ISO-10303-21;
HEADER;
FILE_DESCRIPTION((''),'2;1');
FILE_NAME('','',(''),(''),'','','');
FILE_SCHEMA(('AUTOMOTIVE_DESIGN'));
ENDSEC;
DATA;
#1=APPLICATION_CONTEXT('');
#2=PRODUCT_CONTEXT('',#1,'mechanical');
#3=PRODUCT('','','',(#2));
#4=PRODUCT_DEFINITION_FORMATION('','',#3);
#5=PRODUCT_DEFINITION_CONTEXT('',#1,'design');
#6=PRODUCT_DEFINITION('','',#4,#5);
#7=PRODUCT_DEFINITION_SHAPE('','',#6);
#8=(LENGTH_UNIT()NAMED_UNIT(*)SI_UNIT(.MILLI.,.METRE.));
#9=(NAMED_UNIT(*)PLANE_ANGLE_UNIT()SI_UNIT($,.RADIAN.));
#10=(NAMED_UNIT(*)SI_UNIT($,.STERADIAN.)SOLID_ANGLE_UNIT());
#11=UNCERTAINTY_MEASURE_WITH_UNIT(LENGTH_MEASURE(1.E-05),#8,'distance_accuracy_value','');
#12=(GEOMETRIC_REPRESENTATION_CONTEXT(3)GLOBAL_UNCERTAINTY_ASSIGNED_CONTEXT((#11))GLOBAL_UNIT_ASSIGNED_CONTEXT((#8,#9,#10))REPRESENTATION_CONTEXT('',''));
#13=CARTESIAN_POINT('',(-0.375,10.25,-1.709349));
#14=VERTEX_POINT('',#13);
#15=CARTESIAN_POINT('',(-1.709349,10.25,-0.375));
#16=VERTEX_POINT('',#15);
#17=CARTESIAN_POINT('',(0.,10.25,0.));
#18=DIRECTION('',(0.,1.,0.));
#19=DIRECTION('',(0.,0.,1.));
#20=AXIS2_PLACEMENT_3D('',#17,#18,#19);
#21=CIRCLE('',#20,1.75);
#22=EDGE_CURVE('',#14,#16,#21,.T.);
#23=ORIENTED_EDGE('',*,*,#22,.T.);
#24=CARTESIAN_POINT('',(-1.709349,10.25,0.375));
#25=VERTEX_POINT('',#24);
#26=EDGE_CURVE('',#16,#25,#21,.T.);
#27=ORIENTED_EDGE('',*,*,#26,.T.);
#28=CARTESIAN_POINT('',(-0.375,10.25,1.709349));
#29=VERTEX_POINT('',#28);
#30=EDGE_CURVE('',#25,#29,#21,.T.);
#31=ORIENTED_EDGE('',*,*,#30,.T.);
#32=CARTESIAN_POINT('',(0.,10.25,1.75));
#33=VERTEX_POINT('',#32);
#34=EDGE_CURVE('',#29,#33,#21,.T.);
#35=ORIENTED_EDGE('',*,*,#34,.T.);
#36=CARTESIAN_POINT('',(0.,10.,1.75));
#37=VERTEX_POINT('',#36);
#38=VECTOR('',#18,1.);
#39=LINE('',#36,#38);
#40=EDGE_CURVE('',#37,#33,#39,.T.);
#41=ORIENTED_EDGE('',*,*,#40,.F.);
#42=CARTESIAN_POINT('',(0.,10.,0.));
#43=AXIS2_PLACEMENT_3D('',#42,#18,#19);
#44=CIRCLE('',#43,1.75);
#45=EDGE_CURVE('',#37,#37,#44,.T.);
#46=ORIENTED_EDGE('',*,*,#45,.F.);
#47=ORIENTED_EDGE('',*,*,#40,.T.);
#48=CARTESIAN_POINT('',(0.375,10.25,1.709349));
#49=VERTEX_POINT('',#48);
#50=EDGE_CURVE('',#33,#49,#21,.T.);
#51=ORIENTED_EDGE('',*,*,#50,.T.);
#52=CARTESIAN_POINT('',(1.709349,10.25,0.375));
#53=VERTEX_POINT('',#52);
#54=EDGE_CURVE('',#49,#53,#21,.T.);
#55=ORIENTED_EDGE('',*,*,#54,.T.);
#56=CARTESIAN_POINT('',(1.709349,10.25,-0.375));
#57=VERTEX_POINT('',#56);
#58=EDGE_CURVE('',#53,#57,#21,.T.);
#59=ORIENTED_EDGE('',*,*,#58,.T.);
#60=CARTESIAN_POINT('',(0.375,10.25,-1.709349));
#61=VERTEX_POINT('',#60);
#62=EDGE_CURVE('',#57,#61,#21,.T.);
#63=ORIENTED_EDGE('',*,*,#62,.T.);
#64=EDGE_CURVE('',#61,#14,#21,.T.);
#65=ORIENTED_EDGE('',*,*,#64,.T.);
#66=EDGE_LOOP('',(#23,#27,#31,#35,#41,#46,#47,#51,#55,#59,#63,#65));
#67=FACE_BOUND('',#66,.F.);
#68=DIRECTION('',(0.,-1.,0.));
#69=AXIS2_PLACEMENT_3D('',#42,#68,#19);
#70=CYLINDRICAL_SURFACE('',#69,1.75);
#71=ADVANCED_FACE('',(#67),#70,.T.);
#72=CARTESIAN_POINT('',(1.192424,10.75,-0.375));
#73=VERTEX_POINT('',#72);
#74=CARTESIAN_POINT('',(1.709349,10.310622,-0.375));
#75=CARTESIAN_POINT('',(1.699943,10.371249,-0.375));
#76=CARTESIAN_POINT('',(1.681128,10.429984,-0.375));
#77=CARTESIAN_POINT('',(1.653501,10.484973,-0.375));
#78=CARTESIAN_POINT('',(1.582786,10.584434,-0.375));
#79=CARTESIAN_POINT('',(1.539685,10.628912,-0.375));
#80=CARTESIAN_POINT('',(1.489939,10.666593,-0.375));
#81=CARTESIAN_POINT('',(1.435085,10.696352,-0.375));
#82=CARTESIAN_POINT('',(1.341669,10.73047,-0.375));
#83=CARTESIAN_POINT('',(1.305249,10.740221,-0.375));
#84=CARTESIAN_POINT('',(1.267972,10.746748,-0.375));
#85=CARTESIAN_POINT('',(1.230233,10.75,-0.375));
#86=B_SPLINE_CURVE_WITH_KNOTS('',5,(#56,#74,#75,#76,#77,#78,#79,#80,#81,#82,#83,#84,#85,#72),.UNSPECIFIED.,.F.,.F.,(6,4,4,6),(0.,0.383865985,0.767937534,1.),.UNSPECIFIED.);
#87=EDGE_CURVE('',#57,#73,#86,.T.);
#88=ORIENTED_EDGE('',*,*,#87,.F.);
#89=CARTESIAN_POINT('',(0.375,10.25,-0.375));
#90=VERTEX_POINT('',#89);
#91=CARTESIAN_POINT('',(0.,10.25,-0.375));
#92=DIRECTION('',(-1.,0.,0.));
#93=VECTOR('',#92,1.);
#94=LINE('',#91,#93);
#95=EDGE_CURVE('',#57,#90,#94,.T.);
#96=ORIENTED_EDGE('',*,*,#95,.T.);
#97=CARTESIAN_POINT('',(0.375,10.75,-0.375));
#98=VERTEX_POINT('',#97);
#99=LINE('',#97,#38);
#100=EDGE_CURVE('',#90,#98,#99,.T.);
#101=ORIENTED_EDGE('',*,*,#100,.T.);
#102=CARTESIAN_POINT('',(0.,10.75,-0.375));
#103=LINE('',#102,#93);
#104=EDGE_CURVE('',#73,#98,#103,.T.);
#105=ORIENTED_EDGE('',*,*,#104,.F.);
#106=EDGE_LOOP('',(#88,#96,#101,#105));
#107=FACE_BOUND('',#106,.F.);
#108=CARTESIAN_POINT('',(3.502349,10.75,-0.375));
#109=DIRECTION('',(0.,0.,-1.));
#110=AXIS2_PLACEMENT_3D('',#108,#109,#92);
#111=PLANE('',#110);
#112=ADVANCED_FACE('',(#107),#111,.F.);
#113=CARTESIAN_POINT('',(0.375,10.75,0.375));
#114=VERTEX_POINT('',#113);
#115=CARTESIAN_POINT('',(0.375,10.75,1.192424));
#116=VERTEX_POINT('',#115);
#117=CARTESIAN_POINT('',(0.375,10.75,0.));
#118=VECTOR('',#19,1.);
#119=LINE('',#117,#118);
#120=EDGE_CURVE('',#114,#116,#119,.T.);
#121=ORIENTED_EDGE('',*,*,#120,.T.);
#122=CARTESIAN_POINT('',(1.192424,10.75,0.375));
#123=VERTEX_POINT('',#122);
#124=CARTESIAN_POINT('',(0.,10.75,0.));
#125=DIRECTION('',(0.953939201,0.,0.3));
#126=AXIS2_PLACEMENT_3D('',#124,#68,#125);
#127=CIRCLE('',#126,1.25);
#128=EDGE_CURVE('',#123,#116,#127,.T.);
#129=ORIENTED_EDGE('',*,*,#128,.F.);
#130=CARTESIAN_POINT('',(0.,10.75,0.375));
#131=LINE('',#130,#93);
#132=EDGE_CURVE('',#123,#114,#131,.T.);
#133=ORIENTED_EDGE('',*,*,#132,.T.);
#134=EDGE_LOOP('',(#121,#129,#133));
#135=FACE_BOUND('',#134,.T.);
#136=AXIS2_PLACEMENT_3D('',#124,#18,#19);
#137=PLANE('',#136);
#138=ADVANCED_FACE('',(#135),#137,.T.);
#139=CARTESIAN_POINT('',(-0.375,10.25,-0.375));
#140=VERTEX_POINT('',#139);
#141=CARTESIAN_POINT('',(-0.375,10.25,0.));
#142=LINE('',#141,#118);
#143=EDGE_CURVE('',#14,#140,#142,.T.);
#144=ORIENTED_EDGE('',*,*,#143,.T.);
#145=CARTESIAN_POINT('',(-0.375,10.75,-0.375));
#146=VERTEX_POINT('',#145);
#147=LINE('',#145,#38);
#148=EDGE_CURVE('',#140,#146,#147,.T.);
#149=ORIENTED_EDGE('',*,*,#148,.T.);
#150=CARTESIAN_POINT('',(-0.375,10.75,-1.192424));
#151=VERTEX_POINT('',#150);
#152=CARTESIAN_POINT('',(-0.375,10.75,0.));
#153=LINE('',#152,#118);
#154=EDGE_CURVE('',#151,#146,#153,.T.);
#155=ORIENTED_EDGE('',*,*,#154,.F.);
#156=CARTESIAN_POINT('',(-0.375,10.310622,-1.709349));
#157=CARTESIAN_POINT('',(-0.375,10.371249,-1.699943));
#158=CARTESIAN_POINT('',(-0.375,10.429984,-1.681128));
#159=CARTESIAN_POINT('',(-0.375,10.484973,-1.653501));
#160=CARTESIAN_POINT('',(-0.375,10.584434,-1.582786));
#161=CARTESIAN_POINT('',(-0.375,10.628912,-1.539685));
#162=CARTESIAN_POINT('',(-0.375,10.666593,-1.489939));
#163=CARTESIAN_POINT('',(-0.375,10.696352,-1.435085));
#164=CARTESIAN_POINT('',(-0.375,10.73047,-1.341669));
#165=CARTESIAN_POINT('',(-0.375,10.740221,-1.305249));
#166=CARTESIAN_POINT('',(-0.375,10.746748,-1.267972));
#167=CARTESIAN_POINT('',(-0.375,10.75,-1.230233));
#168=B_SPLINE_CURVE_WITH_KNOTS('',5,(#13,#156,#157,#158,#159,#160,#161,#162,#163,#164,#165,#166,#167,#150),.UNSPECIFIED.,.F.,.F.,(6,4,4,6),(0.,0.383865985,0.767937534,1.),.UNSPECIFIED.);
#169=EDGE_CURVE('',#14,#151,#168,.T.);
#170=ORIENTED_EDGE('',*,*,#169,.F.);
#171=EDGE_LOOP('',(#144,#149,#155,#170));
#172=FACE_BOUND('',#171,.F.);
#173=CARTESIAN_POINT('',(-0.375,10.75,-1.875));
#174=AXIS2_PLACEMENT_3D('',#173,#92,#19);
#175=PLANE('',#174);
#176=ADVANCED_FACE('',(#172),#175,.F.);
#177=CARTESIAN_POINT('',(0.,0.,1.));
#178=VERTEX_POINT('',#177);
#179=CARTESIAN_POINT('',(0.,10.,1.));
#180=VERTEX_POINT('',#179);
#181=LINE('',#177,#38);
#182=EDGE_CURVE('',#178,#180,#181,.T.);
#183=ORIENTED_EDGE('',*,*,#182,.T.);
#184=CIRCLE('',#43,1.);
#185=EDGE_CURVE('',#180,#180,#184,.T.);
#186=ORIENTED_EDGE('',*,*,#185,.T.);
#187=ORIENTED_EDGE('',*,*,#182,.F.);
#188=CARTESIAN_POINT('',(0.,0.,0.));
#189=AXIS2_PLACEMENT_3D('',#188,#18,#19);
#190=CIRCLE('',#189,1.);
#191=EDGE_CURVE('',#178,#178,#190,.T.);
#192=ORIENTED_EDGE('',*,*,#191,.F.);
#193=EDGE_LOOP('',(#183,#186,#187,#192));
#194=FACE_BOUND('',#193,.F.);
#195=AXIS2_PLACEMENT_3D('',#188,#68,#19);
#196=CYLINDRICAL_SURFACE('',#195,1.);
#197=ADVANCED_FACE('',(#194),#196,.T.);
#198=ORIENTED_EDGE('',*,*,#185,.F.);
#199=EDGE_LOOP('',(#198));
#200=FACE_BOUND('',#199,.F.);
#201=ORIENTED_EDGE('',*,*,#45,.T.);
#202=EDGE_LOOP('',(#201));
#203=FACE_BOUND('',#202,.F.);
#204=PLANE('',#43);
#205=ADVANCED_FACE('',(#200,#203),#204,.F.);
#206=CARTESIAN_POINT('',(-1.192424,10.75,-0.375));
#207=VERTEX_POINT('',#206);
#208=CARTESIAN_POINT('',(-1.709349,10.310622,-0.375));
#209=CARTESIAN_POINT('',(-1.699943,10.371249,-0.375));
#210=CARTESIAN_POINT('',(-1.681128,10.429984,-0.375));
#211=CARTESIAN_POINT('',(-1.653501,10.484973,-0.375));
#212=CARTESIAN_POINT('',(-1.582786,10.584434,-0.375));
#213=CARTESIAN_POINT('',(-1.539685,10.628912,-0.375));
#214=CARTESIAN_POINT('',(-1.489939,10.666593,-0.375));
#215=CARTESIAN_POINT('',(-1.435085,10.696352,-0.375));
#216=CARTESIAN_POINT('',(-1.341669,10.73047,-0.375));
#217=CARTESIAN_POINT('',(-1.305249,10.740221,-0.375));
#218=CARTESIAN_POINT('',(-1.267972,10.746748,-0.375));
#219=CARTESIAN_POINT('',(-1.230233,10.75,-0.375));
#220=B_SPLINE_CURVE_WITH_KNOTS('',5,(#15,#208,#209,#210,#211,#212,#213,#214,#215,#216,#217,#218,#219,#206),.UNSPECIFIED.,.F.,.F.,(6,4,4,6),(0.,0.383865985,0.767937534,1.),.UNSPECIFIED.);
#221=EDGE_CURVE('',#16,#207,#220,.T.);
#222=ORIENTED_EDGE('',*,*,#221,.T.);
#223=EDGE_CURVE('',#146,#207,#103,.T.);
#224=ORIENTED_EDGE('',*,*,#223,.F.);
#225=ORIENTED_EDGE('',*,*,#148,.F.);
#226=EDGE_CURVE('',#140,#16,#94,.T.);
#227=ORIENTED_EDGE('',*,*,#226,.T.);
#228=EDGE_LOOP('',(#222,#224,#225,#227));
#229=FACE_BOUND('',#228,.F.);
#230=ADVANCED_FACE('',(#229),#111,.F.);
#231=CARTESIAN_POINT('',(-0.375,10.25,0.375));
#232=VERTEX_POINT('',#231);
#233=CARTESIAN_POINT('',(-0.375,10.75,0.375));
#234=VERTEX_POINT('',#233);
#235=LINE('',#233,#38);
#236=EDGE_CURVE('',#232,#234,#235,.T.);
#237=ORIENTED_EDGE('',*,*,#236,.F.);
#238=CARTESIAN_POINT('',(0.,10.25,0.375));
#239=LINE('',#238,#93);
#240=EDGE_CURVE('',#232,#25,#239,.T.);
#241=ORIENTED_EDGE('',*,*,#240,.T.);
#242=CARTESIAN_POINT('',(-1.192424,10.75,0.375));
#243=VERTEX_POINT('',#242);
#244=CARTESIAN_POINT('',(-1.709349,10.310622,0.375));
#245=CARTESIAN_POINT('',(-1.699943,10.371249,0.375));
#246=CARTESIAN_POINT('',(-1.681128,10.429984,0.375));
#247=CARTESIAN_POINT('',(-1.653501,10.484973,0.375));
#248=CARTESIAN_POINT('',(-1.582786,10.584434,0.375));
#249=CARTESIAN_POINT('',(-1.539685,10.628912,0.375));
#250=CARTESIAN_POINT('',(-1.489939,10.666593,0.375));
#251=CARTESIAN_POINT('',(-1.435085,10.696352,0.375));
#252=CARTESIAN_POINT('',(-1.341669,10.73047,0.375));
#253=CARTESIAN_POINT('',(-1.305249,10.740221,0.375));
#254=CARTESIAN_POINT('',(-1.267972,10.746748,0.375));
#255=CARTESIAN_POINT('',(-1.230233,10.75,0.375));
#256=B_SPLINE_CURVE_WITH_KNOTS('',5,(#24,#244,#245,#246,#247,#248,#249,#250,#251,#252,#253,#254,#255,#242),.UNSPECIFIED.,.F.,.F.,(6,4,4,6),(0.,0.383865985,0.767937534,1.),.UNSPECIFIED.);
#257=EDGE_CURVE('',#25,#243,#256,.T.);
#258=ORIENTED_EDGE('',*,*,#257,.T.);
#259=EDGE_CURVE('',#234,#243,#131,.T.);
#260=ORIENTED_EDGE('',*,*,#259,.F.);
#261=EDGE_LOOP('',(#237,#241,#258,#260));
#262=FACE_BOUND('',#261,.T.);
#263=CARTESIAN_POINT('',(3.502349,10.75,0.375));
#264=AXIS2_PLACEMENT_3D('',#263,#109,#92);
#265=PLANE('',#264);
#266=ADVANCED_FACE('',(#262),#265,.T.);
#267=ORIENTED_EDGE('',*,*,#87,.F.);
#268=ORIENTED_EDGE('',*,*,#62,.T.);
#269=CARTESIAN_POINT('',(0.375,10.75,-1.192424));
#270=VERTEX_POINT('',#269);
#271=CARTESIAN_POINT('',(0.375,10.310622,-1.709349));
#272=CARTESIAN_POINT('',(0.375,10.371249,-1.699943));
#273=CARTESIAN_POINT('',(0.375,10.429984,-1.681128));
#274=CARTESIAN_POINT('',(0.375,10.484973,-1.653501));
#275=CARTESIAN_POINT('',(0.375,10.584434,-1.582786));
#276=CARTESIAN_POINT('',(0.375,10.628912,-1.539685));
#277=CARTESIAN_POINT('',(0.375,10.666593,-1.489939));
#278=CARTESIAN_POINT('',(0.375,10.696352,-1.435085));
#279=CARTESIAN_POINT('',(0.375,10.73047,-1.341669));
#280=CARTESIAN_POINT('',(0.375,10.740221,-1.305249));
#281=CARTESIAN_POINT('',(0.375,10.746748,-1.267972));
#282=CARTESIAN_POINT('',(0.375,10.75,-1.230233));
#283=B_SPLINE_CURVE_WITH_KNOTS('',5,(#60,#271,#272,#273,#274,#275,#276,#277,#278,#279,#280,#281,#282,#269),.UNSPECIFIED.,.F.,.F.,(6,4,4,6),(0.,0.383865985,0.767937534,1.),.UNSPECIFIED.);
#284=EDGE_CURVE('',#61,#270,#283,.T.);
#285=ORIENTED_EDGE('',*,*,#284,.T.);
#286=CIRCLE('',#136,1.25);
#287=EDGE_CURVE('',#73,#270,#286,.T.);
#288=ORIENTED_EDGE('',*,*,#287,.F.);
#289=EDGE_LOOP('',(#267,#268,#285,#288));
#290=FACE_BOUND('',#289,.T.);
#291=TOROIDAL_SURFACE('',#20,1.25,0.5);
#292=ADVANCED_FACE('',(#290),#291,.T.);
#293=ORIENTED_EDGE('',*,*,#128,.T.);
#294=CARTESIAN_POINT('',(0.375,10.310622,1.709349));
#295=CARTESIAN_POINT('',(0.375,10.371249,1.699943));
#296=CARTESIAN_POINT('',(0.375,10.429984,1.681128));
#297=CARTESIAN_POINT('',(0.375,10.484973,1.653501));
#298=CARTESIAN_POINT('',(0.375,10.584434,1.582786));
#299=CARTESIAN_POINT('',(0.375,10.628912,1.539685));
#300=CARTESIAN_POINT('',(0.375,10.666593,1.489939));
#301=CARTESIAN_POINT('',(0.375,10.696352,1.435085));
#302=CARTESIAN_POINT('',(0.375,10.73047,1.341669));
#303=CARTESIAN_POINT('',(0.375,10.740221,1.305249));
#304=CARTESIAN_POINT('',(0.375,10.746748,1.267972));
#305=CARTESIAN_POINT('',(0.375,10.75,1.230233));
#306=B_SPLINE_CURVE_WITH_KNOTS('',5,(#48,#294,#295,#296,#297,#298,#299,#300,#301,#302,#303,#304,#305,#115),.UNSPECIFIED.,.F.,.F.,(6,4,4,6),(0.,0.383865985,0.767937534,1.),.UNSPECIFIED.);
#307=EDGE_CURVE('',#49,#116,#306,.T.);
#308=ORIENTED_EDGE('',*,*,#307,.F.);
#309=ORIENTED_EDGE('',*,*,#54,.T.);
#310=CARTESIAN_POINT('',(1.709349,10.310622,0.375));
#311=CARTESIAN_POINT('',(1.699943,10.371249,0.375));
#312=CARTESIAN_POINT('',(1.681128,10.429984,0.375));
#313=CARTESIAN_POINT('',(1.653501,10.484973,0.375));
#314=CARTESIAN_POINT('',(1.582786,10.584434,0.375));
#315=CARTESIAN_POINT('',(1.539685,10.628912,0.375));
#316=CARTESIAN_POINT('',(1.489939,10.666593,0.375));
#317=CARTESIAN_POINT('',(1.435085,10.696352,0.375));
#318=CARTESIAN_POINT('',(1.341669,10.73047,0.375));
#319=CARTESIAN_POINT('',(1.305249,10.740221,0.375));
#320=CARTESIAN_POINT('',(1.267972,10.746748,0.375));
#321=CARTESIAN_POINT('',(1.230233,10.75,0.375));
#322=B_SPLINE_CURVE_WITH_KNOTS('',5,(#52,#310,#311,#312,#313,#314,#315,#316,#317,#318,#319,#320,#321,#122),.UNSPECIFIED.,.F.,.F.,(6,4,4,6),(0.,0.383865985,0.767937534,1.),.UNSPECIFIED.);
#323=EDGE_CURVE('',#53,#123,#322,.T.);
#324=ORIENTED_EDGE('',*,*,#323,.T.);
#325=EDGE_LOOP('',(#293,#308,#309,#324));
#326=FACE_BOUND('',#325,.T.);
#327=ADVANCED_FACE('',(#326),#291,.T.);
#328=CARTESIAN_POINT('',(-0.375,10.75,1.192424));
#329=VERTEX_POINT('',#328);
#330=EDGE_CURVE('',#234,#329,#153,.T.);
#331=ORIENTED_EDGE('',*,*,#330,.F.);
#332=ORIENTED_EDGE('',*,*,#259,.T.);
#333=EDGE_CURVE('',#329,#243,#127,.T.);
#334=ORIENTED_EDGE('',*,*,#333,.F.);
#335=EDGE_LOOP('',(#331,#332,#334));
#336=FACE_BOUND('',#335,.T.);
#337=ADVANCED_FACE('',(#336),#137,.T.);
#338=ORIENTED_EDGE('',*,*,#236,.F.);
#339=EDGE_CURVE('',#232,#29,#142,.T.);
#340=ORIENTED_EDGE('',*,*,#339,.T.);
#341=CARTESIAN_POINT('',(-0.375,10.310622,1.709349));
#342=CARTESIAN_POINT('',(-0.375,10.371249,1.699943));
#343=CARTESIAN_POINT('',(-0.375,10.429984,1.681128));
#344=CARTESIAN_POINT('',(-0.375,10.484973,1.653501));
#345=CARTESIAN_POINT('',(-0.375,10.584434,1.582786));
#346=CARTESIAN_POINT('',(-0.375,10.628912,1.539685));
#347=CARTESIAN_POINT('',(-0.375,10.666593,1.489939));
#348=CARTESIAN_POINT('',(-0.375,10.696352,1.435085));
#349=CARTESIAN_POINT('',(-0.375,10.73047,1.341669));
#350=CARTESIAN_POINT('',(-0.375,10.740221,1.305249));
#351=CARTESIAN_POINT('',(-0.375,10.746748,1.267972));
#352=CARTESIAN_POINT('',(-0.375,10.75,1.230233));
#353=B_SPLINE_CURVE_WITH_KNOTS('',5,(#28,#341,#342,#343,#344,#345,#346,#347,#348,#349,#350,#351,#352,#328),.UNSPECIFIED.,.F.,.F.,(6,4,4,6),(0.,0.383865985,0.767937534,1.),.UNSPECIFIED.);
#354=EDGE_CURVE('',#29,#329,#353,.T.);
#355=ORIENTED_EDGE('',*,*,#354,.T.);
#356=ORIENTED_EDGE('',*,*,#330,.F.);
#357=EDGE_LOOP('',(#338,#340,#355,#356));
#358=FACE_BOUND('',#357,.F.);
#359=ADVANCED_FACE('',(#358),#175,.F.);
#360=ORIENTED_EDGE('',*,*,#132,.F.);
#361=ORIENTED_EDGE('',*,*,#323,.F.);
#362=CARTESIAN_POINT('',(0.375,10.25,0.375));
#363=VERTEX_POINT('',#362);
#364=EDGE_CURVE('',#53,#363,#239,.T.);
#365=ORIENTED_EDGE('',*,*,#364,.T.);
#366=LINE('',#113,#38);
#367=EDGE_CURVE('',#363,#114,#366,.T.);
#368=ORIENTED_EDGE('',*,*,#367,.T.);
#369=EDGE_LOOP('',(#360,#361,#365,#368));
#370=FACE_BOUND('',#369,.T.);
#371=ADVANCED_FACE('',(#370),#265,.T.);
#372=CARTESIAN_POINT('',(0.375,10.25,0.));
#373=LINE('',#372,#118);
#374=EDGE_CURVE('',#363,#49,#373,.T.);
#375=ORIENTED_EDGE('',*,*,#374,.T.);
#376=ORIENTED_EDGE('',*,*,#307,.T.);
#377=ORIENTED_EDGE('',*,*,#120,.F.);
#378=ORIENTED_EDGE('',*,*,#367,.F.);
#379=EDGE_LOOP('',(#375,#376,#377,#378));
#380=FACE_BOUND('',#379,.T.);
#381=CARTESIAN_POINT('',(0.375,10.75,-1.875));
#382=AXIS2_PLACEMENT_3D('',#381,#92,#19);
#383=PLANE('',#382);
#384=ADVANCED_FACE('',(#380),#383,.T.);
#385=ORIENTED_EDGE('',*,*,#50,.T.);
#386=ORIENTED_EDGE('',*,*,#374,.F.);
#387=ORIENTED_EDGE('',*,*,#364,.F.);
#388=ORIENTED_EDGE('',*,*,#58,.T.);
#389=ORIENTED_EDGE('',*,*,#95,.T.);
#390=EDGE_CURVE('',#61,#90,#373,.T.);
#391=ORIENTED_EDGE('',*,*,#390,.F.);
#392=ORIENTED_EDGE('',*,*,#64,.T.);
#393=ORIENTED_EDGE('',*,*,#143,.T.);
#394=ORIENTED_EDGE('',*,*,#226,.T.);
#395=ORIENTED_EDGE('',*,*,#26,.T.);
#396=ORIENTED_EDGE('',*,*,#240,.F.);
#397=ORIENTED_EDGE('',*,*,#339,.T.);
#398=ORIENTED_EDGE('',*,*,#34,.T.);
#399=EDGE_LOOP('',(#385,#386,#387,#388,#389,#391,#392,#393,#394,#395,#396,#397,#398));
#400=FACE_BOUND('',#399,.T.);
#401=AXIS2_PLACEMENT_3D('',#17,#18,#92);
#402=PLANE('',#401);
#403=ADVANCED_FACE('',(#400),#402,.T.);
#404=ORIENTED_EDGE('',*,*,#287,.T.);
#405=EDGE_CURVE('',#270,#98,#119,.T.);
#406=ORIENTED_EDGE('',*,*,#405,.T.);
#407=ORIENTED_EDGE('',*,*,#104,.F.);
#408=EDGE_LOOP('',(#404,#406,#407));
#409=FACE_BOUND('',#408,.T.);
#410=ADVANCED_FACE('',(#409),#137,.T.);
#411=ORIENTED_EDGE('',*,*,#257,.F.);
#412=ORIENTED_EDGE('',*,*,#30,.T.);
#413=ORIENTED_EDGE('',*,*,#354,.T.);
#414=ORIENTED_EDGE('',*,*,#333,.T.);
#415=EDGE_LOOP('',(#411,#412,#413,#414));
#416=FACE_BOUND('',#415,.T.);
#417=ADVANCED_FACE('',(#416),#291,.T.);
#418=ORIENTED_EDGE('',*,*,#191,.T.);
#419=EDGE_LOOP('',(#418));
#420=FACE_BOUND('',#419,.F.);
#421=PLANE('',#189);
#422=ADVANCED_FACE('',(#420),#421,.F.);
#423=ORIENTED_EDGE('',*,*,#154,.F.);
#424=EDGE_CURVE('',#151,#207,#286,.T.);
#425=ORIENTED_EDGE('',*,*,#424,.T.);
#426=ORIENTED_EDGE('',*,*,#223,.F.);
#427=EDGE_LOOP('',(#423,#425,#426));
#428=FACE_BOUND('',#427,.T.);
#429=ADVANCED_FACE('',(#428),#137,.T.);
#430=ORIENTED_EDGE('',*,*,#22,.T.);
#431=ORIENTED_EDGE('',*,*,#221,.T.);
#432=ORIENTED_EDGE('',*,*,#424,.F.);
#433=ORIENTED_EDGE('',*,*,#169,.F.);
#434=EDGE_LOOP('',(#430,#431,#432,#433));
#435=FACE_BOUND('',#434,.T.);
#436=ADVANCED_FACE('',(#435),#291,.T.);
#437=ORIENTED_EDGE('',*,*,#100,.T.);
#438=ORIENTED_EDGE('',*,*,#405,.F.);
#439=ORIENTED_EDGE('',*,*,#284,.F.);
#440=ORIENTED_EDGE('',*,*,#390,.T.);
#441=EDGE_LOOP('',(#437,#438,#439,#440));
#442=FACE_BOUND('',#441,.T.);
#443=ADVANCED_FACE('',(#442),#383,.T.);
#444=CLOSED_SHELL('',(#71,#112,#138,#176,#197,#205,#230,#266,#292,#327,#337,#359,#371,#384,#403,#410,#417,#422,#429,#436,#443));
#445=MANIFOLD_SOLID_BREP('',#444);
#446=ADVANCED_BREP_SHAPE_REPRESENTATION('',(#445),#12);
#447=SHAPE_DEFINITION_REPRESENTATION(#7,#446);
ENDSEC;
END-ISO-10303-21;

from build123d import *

# Parameters (mm, degrees)
SKETCH_1_R          = 1
EXTRUDE_1_DEPTH     = 10
SKETCH_2_R          = 1.75
EXTRUDE_2_DEPTH     = 0.75
FILLET_1_R          = 0.5
SKETCH_3_W          = 7.004697232
SKETCH_3_H          = 0.75
CUT_EXTRUDE_1_DEPTH = 0.5
SKETCH_4_W          = 0.75
SKETCH_4_H          = 3.75
CUT_EXTRUDE_2_DEPTH = 0.5


with BuildPart() as part:
    # 草图1 → 拉伸1 (new body)
    with BuildSketch(Plane(origin=(0, 0, 0), x_dir=(1, 0, 0), z_dir=(0, 1, 0))):
        with Locations(Location((0, 0, 0), (0, 0, 270))):
            Circle(SKETCH_1_R)
    extrude(amount=EXTRUDE_1_DEPTH)

    # 草图2 → 拉伸2 (add)
    with BuildSketch(Plane(origin=(0, 10, 0), x_dir=(-1, 0, 0), z_dir=(0, 1, 0))):
        with Locations(Location((0, 0, 0), (0, 0, 90))):
            Circle(SKETCH_2_R)
    extrude(amount=EXTRUDE_2_DEPTH)

    # 圆角1
    fillet_1_edges = [part.edges().sort_by_distance(p)[0] for p in [
        (0, 10.75, -1.75),
    ]]
    fillet(fillet_1_edges, radius=FILLET_1_R)

    # 草图3 → 切除-拉伸1 (cut)
    with BuildSketch(Plane(origin=(0, 10.75, 0), x_dir=(-1, 0, 0), z_dir=(0, 1, 0))):
        Rectangle(SKETCH_3_W, SKETCH_3_H)
    extrude(amount=-CUT_EXTRUDE_1_DEPTH, mode=Mode.SUBTRACT)

    # 草图4 → 切除-拉伸2 (cut)
    with BuildSketch(Plane(origin=(0, 10.75, 0), x_dir=(-1, 0, 0), z_dir=(0, 1, 0))):
        Rectangle(SKETCH_4_W, SKETCH_4_H)
    extrude(amount=-CUT_EXTRUDE_2_DEPTH, mode=Mode.SUBTRACT)


solid = part.part
